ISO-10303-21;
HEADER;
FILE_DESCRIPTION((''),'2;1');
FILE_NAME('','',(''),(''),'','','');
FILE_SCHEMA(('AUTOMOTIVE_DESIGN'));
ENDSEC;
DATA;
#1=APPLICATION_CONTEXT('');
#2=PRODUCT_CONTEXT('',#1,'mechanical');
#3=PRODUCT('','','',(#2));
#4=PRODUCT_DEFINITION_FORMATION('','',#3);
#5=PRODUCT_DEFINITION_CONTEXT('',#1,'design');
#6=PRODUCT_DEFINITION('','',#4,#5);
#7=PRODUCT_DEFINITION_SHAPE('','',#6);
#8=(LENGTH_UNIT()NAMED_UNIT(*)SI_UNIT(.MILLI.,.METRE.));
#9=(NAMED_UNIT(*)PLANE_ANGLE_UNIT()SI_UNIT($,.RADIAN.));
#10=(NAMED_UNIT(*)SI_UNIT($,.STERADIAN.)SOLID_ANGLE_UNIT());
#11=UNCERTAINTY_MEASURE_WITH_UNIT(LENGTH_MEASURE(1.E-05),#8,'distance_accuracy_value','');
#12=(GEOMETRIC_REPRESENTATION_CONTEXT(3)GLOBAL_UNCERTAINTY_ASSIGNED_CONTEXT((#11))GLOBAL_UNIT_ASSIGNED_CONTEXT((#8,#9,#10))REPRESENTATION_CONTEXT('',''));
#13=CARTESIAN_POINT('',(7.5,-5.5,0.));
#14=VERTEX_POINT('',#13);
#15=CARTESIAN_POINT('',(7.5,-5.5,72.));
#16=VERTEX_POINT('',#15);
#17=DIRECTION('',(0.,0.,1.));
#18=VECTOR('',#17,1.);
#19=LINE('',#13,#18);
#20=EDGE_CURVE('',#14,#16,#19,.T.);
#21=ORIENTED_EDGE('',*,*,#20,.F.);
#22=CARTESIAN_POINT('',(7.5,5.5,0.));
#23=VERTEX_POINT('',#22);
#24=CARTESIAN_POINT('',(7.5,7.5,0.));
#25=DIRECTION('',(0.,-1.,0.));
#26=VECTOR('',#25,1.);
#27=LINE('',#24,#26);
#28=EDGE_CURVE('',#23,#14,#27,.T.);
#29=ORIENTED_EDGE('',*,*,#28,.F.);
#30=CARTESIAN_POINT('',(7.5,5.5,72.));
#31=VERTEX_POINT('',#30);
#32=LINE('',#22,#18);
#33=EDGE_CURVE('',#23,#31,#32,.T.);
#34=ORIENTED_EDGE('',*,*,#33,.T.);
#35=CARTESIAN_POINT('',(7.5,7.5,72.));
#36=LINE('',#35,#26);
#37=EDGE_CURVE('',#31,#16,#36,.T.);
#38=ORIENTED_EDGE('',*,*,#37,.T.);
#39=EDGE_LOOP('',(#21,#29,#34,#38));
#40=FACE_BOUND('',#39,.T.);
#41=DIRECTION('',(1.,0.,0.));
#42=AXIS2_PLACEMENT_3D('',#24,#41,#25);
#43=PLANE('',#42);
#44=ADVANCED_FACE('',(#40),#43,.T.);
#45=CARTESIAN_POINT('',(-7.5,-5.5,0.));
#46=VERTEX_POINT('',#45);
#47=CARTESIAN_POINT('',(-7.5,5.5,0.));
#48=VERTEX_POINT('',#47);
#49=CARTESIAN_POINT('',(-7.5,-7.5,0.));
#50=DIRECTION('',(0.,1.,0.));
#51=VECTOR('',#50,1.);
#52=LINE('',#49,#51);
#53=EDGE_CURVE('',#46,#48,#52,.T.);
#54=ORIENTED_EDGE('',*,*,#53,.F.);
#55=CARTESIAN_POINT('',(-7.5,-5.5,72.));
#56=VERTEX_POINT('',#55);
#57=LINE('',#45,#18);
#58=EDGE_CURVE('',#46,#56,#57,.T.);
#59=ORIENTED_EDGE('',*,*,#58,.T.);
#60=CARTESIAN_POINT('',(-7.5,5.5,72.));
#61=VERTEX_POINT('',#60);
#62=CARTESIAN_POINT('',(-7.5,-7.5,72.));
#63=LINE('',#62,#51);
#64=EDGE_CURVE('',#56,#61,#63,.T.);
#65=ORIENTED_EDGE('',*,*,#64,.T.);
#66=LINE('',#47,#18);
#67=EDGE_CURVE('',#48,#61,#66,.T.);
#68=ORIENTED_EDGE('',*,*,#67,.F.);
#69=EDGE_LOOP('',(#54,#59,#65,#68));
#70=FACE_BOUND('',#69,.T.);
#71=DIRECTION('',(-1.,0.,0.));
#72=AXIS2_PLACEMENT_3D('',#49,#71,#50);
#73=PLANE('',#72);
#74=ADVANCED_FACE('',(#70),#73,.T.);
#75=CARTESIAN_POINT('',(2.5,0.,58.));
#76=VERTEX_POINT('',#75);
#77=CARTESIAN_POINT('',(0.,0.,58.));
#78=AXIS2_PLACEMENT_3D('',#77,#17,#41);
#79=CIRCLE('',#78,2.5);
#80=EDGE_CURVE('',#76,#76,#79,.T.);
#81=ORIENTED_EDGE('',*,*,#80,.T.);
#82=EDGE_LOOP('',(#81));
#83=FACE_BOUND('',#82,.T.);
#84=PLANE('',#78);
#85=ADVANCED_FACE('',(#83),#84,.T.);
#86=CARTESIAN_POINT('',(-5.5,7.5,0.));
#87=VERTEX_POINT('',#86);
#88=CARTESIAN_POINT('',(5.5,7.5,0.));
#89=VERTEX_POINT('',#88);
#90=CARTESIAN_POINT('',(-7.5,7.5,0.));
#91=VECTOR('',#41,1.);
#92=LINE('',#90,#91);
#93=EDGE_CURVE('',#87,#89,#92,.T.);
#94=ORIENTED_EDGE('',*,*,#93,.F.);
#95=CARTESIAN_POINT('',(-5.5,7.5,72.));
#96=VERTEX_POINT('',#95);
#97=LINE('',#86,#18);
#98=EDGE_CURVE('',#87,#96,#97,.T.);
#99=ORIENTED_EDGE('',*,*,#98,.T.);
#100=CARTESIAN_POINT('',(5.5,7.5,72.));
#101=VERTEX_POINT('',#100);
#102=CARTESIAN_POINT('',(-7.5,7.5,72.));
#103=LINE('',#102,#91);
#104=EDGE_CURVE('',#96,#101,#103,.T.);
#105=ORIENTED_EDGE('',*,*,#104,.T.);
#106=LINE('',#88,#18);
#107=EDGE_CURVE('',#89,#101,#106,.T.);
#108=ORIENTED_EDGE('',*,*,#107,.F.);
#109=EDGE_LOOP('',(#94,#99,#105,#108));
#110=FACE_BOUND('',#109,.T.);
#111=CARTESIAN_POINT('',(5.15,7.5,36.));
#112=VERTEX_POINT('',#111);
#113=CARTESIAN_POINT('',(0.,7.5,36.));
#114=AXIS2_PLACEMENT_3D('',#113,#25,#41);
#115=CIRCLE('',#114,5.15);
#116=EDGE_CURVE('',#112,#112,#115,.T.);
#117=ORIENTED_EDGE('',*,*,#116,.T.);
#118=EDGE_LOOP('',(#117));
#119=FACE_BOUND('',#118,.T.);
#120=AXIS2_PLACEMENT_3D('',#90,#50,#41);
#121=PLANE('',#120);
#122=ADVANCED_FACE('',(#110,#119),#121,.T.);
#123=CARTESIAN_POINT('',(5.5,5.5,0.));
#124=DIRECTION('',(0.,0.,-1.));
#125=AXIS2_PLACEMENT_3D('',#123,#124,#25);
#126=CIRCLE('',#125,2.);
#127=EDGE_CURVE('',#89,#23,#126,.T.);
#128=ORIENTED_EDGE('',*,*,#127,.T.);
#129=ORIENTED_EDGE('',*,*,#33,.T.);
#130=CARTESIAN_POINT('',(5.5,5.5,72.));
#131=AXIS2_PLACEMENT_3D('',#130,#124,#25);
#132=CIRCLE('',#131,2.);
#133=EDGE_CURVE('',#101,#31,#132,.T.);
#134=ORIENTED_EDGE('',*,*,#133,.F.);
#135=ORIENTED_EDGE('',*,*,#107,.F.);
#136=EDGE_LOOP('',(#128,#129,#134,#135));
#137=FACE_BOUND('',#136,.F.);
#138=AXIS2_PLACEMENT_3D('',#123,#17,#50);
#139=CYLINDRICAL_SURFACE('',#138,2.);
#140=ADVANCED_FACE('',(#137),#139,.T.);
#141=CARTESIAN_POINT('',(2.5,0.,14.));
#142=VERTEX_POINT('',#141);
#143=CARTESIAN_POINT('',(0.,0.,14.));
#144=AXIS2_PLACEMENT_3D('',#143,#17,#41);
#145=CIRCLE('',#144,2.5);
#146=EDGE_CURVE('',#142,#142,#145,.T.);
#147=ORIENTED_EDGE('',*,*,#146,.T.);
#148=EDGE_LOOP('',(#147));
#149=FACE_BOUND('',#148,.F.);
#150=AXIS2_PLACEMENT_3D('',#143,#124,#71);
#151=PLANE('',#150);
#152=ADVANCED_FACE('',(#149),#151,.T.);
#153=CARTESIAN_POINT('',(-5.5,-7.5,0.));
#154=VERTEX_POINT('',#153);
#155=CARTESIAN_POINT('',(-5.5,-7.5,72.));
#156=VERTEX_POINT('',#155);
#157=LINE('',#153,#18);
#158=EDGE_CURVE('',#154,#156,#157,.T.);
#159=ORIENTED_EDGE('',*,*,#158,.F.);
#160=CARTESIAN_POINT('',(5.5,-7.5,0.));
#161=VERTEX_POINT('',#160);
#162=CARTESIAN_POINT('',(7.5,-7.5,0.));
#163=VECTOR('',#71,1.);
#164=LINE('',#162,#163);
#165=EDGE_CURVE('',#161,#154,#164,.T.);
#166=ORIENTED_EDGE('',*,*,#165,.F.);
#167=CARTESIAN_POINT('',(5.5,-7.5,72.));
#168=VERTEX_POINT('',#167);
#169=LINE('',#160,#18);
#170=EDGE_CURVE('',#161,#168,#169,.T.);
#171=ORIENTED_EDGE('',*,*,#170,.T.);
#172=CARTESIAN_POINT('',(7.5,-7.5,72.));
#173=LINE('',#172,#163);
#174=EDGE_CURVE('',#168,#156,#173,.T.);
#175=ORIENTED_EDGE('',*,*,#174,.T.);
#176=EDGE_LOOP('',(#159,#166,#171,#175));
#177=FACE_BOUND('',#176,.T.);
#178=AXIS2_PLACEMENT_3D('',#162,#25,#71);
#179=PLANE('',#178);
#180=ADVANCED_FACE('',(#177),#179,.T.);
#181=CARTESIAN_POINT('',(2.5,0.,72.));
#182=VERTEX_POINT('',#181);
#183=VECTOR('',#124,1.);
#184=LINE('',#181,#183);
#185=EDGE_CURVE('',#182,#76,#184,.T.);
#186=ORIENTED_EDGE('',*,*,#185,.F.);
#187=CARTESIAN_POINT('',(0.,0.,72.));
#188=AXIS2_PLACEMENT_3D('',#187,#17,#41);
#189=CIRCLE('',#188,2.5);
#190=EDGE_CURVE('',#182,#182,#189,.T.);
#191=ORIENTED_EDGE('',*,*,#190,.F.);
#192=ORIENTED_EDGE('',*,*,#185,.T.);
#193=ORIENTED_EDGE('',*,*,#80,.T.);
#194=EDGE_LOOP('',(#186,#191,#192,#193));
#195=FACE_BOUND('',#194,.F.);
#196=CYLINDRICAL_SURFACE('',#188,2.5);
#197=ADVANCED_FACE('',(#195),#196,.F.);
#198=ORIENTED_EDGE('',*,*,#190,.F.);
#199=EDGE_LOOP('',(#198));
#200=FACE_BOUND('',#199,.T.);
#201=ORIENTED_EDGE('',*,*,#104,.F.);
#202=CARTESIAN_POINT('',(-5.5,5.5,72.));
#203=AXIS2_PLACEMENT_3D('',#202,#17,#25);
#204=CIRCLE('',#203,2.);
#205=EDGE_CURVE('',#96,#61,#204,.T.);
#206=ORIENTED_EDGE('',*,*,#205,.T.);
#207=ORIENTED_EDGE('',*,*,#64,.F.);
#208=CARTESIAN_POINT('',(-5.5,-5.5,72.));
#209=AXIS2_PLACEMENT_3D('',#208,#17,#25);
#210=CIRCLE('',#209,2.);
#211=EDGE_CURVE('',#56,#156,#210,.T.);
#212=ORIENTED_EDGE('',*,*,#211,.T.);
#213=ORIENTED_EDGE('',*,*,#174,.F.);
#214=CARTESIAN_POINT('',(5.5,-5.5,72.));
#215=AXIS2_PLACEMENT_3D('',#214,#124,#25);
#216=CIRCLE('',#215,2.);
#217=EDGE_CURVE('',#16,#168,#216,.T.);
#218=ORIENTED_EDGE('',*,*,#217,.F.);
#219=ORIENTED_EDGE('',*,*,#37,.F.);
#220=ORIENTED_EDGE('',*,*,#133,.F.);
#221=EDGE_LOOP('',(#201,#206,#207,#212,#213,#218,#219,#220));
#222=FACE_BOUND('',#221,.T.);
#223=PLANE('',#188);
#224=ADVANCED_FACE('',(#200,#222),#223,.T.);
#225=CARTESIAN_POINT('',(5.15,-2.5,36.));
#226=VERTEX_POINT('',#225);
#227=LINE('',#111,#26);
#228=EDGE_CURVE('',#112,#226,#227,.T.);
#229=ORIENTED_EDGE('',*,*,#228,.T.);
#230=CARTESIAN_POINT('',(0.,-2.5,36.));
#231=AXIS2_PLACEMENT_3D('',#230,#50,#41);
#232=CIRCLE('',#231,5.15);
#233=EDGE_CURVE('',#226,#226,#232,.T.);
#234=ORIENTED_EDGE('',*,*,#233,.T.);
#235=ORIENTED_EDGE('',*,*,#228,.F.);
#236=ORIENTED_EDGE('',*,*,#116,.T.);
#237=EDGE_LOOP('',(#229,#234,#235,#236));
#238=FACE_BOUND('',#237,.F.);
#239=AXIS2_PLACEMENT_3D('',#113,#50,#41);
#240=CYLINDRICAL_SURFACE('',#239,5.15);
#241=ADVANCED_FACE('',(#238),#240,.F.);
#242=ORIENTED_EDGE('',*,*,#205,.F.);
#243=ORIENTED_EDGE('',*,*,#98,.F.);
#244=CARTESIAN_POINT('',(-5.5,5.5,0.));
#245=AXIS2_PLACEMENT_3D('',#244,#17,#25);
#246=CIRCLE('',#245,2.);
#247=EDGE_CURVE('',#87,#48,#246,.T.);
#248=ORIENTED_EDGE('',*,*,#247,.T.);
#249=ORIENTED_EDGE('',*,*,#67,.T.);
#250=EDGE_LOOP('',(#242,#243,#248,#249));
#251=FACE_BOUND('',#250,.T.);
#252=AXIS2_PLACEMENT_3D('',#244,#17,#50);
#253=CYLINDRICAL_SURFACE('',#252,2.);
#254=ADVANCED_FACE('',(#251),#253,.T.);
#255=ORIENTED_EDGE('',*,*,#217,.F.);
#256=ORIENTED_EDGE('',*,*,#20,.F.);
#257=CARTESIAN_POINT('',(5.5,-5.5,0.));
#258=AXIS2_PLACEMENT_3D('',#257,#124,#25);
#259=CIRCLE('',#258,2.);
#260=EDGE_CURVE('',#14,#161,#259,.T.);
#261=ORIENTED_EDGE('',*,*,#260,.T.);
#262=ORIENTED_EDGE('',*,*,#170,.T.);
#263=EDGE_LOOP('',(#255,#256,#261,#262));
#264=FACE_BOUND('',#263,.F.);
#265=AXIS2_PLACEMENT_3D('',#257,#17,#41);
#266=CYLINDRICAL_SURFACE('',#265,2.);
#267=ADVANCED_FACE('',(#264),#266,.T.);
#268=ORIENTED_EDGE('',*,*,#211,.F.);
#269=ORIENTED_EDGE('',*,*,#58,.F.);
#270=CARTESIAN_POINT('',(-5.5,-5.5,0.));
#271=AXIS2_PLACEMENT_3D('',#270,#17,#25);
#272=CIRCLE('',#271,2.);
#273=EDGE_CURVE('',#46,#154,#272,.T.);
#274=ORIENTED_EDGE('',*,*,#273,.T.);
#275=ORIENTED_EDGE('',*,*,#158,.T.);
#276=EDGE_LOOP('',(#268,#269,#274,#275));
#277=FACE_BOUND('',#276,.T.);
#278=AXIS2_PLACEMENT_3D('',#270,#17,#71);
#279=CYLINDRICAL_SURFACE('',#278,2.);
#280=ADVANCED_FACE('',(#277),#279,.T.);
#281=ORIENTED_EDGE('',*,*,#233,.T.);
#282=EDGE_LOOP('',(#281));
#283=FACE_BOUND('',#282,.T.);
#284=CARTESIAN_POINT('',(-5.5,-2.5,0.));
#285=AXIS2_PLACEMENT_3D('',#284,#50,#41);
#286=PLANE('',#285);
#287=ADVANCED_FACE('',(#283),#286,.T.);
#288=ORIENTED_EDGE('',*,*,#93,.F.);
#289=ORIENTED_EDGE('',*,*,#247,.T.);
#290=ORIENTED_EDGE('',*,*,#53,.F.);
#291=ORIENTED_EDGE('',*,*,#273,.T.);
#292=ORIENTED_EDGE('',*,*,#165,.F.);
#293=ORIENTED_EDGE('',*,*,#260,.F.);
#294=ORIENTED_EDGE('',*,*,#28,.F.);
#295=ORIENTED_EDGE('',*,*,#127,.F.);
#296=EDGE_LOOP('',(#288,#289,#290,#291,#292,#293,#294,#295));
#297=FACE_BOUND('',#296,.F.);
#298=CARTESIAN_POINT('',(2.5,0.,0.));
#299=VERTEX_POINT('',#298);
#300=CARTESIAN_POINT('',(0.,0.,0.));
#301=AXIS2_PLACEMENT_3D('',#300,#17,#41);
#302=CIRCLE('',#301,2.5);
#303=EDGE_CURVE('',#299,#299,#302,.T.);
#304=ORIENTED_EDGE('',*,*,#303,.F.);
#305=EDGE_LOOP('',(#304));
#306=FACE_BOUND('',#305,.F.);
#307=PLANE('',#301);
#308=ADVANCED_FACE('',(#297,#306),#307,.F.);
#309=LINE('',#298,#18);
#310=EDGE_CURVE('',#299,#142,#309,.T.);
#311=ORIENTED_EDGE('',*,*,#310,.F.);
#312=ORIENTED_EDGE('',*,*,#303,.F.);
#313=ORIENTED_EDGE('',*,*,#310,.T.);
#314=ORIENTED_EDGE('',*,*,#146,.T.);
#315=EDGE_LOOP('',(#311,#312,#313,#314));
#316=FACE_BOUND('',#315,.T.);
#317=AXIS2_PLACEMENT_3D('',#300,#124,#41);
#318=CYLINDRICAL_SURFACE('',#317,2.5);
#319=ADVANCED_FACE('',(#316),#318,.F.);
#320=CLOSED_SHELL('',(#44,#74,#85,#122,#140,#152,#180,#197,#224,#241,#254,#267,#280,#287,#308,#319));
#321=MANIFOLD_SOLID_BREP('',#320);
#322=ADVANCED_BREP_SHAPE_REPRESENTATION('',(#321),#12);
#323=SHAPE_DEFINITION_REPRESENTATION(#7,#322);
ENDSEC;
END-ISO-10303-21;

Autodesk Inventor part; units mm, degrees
ref_plane "YZ Plane" through (0, 0, 0) normal (1, 0, 0) x (0, 1, 0)
ref_plane "XZ Plane" through (0, 0, 0) normal (0, 1, 0) x (-1, 0, 0)
sketch "Sketch1" plane through (0, 0, 0) normal (0, 0, 1) x (1, 0, 0)
  line L0 (-7.5, 7.5) -> (7.5, 7.5)
  line L1 (7.5, 7.5) -> (7.5, -7.5)
  line L2 (7.5, -7.5) -> (-7.5, -7.5)
  line L3 (-7.5, -7.5) -> (-7.5, 7.5)
  line L4 (-7.5, 7.5) -> (7.5, -7.5) construction
  line L5 (7.5, 7.5) -> (-7.5, -7.5) construction
  point P0 (0, 0)
  dimension "d0" = 15
  dimension "d1" = 15
extrude "Extrusion1" add sketch "Sketch1" along normal blind 72
sketch "Sketch2" plane through (0, 0, 72) normal (0, 0, 1) x (1, 0, 0)
  circle A0 centre (0, 0) radius 2.5
  dimension "d4" = 5
extrude "Extrusion2" cut sketch "Sketch2" against normal blind 14
ref_plane "Work Plane1" through (0, 0, 36) normal (0, 0, 1) x (1, 0, 0)
mirror "Mirror1" about plane through (0, 0, 36) normal (0, 0, 1) of "Extrusion2"
fillet "Fillet1" radius 2 4 edges at (7.5, 7.5, 36) (-7.5, 7.5, 36) (7.5, -7.5, 36) (-7.5, -7.5, 36)
sketch "Sketch3" plane through (-5.5, 7.5, 0) normal (0, 1, 0) x (1, 0, 0)
  line L0 (-2, -72) -> (-2, 0) projected
  line L1 (-2, -36) -> (13, -36)
  line L2 (13, 0) -> (13, -72) projected
  circle A0 centre (5.5, -36) radius 5.15
  point P0 (5.5, 0)
  dimension "d8" = 10.3
extrude "Extrusion3" cut sketch "Sketch3" against normal blind 10
properties part number "FP V2 Claw Connector"
